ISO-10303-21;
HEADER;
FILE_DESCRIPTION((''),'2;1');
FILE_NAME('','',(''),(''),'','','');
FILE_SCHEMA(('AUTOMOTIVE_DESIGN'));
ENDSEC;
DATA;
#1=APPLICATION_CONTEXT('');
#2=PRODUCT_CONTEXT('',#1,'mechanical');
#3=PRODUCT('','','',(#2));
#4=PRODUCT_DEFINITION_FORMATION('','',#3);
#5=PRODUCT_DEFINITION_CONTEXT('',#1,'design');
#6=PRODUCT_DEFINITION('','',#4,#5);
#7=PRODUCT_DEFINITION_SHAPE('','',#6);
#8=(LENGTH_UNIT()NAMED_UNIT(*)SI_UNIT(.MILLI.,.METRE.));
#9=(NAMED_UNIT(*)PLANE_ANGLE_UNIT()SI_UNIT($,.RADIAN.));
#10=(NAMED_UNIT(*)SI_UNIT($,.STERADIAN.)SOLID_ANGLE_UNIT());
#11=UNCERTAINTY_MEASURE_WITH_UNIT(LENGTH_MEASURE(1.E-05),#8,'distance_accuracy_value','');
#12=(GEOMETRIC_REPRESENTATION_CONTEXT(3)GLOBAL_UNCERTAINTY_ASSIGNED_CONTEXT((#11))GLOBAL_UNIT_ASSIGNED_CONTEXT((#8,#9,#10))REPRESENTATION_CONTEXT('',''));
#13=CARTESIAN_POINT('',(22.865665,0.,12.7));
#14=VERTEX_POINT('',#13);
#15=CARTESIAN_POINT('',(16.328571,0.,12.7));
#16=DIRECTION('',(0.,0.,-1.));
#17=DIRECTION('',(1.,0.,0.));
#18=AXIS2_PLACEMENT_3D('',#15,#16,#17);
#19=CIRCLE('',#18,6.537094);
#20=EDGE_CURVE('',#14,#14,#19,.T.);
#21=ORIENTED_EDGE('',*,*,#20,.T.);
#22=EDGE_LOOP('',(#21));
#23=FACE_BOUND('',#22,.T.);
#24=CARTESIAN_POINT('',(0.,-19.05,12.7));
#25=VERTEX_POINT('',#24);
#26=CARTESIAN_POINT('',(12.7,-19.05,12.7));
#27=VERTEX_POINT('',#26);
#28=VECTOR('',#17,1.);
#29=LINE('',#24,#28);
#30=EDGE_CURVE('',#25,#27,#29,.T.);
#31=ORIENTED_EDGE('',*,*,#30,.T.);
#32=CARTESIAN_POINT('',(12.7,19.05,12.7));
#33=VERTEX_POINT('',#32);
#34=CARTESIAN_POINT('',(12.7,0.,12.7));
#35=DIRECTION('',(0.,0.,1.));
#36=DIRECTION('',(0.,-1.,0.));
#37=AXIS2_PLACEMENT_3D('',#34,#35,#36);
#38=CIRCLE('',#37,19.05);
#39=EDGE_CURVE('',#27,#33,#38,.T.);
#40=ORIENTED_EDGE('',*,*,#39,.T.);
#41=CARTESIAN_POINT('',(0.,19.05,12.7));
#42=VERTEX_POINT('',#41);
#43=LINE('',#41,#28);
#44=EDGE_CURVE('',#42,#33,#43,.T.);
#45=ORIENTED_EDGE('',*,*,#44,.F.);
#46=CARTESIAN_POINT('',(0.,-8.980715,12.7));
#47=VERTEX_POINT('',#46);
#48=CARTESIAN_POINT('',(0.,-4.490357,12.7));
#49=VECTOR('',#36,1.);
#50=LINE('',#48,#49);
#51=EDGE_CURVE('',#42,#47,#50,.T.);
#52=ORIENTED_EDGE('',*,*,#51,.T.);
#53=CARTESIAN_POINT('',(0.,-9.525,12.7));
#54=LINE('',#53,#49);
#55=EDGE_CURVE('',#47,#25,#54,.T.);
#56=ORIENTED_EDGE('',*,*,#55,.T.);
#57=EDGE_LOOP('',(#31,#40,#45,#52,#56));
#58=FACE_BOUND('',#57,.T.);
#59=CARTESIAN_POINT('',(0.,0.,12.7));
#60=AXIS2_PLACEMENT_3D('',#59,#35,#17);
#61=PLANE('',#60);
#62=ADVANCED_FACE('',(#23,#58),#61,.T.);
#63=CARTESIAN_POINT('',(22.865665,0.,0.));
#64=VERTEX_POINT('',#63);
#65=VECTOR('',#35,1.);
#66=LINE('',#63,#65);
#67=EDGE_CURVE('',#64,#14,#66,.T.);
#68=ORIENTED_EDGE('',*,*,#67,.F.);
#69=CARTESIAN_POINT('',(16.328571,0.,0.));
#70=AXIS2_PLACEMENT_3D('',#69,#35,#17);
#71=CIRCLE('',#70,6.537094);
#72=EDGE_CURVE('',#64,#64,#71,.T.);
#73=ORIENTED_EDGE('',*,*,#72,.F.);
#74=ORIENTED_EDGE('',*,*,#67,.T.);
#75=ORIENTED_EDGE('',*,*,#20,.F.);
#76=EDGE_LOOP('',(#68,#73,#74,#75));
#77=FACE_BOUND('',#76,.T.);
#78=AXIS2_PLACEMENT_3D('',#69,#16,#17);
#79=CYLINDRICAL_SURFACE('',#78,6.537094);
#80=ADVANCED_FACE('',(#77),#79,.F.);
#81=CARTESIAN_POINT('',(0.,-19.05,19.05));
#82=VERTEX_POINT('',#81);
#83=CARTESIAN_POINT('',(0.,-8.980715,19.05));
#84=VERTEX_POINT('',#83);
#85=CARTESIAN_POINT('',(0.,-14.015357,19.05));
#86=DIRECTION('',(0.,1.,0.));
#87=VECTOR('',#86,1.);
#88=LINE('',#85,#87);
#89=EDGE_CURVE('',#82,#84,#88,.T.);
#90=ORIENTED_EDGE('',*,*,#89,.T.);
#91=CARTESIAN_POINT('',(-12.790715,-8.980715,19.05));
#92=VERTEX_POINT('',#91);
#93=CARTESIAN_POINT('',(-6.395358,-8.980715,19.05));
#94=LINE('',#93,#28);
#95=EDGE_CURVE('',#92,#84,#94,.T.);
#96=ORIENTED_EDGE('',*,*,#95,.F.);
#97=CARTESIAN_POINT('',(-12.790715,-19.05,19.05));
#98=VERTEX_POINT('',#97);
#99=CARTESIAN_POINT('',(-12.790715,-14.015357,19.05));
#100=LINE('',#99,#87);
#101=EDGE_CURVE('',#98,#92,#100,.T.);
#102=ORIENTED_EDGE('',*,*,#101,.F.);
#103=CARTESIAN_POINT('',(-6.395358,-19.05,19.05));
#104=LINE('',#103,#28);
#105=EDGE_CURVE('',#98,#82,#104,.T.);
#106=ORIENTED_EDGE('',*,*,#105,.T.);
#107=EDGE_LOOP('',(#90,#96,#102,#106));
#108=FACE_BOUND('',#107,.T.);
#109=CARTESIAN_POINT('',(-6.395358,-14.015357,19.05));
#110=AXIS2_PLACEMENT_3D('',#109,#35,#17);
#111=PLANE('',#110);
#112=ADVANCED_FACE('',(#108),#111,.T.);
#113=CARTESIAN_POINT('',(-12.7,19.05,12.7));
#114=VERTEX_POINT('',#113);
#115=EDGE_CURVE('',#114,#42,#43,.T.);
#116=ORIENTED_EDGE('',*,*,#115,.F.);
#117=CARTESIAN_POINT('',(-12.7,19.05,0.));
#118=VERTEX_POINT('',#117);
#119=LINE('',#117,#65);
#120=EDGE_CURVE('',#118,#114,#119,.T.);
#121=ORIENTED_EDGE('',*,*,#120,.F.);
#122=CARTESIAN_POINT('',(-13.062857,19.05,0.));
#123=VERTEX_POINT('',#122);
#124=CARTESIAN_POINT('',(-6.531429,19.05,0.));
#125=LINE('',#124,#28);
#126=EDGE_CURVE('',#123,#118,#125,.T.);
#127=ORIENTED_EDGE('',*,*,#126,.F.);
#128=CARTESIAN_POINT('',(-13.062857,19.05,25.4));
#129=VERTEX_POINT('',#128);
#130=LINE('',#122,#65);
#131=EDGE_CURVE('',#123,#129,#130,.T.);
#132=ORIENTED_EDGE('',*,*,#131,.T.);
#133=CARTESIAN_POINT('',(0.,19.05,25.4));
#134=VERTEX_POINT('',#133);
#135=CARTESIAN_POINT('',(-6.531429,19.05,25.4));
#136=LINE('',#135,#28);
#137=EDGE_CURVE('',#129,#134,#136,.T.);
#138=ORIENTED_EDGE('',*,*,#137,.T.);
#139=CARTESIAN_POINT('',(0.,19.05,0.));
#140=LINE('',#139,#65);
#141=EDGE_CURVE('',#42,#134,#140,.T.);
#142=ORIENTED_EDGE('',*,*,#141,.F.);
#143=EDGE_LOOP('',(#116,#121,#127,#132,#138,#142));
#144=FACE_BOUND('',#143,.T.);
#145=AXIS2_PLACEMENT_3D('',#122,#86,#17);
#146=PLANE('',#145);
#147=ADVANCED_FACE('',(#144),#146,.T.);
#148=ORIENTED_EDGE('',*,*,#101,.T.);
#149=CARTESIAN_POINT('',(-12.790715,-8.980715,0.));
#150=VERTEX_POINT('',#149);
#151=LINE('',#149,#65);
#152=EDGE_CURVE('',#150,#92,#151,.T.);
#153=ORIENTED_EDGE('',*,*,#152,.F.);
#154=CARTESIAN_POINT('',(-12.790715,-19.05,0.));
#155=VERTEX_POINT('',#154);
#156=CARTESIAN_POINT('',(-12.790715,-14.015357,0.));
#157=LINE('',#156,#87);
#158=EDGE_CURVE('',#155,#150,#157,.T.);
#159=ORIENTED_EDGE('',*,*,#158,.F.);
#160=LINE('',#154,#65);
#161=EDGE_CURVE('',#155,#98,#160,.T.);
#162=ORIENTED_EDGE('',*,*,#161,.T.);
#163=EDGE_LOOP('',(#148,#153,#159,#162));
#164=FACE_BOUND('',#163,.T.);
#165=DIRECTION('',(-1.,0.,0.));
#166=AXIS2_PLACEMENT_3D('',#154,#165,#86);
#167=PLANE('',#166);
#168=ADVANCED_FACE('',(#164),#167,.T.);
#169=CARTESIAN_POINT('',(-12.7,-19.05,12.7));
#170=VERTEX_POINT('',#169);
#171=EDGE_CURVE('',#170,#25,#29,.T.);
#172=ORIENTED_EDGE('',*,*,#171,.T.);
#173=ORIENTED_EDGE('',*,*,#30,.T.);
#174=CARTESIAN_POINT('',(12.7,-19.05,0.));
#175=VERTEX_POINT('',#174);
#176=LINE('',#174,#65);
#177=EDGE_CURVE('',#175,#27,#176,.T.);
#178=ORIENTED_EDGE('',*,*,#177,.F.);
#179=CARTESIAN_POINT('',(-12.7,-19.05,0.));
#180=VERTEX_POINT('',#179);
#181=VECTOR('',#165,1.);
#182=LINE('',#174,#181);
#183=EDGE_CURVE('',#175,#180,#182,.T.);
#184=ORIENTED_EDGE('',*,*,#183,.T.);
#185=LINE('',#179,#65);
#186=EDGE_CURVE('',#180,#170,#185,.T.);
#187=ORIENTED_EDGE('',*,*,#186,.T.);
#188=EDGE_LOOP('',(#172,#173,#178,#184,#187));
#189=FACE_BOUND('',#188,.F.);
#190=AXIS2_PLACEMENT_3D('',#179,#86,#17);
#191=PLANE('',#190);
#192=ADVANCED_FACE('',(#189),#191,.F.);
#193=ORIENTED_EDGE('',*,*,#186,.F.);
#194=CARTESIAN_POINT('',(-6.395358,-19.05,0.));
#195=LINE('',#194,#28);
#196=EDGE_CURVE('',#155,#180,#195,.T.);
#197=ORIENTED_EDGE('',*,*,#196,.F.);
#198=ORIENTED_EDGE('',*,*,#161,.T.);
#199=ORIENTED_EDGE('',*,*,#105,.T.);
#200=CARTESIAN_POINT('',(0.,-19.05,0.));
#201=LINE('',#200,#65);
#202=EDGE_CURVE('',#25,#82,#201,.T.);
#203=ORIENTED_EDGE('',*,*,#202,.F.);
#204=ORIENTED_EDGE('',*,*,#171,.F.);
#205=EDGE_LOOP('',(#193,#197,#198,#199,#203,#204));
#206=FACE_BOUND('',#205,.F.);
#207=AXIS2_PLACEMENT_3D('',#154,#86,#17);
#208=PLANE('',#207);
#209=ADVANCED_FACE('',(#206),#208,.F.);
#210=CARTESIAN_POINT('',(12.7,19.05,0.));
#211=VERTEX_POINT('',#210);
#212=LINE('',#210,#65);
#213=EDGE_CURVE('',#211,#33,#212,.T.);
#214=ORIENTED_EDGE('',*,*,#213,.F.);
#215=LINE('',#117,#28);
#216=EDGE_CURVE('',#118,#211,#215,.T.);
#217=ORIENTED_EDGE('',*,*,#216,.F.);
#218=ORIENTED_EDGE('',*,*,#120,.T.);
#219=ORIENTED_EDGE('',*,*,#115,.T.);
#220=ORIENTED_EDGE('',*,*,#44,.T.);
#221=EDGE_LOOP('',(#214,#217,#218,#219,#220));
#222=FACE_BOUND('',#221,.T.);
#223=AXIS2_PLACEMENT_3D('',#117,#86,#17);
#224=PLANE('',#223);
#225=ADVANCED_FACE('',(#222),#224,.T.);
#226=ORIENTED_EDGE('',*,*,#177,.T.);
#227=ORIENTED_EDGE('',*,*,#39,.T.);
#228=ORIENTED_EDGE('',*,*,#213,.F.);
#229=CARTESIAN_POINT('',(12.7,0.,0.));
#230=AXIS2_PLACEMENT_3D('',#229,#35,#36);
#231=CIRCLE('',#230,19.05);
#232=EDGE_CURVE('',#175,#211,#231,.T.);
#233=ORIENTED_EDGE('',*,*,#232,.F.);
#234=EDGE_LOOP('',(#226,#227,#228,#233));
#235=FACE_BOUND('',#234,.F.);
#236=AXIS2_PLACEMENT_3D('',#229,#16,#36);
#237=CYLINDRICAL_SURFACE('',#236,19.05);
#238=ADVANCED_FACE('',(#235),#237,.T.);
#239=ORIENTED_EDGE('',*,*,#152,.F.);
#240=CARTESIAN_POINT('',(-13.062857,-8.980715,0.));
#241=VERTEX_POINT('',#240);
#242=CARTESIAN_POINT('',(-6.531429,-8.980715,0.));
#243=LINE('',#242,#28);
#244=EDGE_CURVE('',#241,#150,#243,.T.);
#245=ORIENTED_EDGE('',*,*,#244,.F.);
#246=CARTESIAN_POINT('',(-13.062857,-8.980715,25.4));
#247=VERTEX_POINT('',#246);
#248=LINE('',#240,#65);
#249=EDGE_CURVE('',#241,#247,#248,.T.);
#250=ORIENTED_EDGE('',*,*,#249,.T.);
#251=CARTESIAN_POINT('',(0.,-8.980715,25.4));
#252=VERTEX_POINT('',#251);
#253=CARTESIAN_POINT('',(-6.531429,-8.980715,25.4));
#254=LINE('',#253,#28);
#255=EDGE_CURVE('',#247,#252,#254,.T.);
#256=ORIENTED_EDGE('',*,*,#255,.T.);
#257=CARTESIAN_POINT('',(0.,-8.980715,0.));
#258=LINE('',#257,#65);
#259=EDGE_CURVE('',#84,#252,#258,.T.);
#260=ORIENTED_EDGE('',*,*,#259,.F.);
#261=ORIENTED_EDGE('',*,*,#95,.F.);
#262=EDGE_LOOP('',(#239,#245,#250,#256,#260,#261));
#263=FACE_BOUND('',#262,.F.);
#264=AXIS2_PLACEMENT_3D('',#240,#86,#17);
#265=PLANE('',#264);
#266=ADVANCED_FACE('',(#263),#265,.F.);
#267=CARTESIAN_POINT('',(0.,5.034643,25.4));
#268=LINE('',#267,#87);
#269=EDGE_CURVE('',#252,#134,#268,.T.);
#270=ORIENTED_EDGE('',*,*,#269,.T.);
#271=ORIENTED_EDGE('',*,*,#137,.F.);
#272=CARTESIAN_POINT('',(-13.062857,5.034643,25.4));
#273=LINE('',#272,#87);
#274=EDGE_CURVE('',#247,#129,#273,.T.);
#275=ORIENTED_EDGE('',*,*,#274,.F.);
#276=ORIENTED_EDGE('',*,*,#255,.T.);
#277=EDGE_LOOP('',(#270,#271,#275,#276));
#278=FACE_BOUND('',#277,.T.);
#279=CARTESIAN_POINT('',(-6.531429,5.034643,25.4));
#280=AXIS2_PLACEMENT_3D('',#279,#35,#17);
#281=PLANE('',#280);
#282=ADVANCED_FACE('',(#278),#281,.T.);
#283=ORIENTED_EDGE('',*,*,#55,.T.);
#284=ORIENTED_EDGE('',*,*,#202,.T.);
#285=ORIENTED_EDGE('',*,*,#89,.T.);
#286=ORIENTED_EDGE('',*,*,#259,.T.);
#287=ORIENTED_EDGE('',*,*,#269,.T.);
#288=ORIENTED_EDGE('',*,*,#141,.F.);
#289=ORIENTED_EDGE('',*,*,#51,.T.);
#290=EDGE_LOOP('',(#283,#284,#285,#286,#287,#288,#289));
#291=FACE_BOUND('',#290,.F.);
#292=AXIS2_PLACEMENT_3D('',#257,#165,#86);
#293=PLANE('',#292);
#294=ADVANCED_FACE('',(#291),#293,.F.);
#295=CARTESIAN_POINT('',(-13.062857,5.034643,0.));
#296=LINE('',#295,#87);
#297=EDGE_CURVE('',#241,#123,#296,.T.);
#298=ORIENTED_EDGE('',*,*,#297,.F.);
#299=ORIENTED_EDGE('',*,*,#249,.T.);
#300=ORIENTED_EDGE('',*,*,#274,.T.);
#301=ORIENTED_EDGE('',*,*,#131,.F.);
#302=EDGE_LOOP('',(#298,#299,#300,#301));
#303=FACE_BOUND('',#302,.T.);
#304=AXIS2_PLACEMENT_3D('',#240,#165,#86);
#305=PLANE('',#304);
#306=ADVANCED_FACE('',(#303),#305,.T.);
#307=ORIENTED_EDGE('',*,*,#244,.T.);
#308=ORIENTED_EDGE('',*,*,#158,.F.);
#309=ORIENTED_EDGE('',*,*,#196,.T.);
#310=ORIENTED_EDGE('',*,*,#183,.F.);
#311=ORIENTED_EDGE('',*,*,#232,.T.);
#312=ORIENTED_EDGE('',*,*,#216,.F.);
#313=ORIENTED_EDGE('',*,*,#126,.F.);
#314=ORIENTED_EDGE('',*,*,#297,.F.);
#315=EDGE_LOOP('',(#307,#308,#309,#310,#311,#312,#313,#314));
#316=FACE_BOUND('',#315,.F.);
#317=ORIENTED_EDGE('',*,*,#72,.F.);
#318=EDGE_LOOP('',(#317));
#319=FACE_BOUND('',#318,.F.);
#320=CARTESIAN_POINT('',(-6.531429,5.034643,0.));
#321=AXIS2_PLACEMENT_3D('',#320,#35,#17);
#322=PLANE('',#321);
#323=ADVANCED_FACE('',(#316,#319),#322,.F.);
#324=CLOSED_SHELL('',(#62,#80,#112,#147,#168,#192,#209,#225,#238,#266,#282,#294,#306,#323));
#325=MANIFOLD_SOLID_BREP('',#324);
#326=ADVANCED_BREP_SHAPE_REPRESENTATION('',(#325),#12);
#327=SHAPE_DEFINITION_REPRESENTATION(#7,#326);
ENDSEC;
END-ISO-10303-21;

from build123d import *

# Parameters (mm, degrees)
F0_W     = 25.4
F0_H     = 38.1
F1_DEPTH = 12.7
F2_R     = 6.5370938685
F3_DEPTH = 12.701
F4_W     = 12.7907153219
F4_H     = 10.0692855194
F5_DEPTH = 19.05
F6_W     = 13.0628570914
F6_H     = 28.0307149515
F7_DEPTH = 25.4


with BuildPart() as f1:
    # F0 (on Top) → F1 (new body)
    with BuildSketch(Plane.XY):
        Rectangle(F0_W, F0_H)
        with BuildLine():
            ThreePointArc((12.7, -19.05), (31.75, 0), (12.7, 19.05))
            Line((12.7, 19.05), (12.7, -19.05))
        make_face()
    extrude(amount=F1_DEPTH)

    # F2 (on Top) → F3 (cut, through all)
    with BuildSketch(Plane.XY):
        with Locations((16.3285713643, 0)):
            Circle(F2_R)
    extrude(amount=F3_DEPTH, mode=Mode.SUBTRACT)

    # F4 (on Top) → F5 (join)
    with BuildSketch(Plane.XY):
        with Locations((-6.3953576609, -14.0153574757)):
            Rectangle(F4_W, F4_H)
    extrude(amount=F5_DEPTH)

    # F6 (on Top) → F7 (join)
    with BuildSketch(Plane.XY):
        with Locations((-6.5314285457, 5.0346427597)):
            Rectangle(F6_W, F6_H)
    extrude(amount=F7_DEPTH)


solid = f1.part
